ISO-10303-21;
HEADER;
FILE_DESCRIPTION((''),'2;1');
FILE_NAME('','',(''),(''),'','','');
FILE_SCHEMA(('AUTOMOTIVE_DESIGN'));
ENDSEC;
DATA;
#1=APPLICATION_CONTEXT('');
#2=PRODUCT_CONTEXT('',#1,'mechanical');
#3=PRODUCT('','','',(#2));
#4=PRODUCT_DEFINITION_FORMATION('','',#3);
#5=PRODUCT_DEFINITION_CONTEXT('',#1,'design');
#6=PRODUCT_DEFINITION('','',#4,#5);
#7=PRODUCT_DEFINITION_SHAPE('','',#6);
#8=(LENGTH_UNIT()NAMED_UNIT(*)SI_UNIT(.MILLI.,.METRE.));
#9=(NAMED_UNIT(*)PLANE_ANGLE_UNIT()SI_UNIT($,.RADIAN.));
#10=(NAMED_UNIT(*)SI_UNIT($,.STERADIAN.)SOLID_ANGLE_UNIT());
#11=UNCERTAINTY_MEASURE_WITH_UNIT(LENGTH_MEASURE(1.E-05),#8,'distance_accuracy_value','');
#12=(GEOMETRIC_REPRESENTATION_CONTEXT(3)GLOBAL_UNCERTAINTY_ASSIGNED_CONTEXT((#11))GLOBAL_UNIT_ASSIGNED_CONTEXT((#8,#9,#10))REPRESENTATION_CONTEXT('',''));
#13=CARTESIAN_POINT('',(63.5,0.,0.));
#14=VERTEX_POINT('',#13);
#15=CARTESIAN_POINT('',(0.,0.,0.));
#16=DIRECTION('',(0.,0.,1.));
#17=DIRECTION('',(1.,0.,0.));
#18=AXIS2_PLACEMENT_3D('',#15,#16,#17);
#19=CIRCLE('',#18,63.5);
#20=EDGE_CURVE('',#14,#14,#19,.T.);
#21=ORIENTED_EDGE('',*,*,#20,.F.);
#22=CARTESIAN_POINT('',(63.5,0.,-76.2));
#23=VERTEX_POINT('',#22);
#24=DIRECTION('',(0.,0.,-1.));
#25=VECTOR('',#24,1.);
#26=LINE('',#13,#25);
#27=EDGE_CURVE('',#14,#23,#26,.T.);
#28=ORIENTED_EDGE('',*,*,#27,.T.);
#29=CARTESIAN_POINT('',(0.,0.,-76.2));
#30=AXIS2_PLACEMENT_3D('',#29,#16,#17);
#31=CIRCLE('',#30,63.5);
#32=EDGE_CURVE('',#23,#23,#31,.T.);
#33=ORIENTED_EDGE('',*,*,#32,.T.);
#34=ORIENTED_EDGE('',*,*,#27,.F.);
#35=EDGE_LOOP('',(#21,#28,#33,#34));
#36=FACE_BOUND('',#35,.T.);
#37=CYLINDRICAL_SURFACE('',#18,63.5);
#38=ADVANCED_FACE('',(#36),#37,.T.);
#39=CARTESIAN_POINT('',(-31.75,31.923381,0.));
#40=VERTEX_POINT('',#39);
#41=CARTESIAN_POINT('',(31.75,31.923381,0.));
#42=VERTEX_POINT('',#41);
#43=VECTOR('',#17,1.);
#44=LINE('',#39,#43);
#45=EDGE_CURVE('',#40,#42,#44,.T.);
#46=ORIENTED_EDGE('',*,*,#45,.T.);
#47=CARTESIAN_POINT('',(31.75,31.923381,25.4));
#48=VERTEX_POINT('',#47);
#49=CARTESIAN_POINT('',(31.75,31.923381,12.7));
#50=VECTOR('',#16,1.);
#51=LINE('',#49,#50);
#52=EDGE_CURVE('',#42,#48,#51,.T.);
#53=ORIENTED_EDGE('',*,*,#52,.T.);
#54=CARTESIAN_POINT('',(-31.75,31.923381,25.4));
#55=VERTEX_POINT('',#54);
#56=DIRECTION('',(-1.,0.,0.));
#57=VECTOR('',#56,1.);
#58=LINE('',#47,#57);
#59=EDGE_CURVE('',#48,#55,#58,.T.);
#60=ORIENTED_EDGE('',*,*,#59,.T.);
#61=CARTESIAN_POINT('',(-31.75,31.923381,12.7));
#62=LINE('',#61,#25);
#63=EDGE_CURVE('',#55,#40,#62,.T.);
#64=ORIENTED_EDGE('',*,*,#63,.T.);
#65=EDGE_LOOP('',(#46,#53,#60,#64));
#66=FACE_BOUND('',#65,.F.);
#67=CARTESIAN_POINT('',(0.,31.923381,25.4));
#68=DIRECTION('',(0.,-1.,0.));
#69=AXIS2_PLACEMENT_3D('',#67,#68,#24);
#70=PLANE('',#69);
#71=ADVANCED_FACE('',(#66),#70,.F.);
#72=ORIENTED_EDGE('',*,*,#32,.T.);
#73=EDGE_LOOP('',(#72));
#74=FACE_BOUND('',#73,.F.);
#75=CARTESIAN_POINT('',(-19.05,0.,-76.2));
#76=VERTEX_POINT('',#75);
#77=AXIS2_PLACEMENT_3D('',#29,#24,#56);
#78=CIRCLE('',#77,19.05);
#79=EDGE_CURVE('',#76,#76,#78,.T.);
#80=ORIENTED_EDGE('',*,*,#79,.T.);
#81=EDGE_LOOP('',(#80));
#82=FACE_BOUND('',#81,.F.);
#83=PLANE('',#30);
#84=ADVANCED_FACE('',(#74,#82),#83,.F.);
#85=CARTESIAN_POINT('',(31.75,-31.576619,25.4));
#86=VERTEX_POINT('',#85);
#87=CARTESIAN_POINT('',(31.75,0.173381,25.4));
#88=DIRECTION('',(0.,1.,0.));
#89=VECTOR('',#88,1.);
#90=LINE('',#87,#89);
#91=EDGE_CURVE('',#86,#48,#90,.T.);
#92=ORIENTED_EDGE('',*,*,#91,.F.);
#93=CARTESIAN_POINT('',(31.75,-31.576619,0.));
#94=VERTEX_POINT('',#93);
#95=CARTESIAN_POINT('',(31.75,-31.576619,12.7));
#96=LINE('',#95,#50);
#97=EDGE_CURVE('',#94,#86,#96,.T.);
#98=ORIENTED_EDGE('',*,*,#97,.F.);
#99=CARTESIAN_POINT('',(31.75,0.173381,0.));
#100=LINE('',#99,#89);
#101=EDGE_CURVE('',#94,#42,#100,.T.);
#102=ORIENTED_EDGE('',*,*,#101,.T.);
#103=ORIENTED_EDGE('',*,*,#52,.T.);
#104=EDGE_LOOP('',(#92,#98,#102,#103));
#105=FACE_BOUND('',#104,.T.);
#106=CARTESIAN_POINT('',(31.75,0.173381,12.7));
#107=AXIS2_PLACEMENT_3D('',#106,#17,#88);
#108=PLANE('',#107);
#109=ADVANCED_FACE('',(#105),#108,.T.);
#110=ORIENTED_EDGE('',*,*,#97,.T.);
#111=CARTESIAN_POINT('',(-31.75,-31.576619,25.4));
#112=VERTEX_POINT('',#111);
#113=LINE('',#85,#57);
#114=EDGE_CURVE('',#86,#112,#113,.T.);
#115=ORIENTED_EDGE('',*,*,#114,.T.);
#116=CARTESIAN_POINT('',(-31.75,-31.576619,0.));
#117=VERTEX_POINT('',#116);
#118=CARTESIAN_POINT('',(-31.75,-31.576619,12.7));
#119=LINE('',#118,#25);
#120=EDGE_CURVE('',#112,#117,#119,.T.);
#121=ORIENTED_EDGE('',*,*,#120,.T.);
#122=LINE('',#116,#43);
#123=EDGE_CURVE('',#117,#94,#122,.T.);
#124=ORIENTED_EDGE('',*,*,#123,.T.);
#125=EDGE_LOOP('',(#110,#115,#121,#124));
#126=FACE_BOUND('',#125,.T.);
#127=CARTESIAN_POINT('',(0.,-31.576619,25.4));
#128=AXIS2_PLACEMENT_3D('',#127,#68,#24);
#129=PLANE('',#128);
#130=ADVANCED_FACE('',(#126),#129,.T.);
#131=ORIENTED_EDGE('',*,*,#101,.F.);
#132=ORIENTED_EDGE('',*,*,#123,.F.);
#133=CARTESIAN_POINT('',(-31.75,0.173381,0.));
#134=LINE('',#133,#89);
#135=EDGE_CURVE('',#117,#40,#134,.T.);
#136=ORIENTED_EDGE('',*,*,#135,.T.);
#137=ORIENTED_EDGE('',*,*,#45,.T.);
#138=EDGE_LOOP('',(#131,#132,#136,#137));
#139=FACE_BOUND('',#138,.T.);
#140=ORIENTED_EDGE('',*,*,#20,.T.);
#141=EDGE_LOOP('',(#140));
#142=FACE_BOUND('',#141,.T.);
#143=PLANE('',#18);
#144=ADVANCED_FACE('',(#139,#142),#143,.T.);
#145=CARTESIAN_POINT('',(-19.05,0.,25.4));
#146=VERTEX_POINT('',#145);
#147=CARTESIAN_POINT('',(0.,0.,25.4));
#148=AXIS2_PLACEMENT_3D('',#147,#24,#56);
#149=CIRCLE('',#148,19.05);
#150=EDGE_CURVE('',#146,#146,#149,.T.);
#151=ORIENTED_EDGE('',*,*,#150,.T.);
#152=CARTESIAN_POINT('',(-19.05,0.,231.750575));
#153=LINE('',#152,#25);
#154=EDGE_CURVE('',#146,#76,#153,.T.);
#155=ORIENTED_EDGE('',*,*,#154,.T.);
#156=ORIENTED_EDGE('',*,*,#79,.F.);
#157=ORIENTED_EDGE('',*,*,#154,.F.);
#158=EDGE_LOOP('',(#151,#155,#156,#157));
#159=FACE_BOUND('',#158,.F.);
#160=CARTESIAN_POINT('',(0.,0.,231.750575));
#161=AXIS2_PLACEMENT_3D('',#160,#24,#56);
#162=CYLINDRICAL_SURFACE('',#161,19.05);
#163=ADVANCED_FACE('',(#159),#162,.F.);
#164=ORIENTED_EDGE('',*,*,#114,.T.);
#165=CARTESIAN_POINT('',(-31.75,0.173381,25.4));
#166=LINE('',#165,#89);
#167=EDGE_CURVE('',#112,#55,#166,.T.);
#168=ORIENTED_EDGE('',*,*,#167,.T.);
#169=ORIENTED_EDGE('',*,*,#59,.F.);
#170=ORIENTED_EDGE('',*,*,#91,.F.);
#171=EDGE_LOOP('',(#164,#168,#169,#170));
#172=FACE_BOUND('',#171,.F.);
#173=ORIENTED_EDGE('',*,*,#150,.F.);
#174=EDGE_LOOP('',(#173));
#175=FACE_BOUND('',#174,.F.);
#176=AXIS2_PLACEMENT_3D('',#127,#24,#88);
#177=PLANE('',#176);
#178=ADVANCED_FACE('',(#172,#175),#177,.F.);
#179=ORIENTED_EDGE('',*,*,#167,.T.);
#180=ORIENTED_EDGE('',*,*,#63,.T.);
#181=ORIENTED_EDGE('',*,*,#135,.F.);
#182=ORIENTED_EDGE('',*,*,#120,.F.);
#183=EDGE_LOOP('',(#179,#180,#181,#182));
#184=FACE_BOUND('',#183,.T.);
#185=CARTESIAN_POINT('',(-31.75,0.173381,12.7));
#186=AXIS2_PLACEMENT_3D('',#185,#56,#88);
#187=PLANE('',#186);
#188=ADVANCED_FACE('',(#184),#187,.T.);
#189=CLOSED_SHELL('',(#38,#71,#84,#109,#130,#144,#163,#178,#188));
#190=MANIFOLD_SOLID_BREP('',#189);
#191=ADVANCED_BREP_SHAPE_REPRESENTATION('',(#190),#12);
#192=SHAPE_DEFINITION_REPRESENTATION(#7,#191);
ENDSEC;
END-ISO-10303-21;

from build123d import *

# Parameters (mm, degrees)
F3_W      = 63.5
F3_H      = 25.4
F4_DEPTH  = 31.75
F4_FACE_W = 63.5
F4_FACE_H = 25.4
F5_DEPTH  = 31.75
F2_R      = 63.5
F6_DEPTH  = 76.2
F7_D      = 38.1


with BuildPart() as f4:
    # F3 (on Right) → F4 (new body)
    with BuildSketch(Plane.YZ):
        with Locations((0.173381, 12.7)):
            Rectangle(F3_W, F3_H)
    extrude(amount=F4_DEPTH)

    # F4_face (on face) → F5 (join)
    with BuildSketch(Plane(origin=(0, 0.173381, 12.7), x_dir=(0, 1, 0), z_dir=(-1, 0, 0))):
        Rectangle(F4_FACE_W, F4_FACE_H)
    extrude(amount=F5_DEPTH)

    # F2 (on Top) → F6 (join)
    with BuildSketch(Plane.XY):
        Circle(F2_R)
    extrude(amount=-F6_DEPTH)

    # F7 (through all)
    with Locations(Plane.XY.offset(25.4)):
        with Locations((0, 0)):
            Hole(F7_D / 2)


solid = f4.part
